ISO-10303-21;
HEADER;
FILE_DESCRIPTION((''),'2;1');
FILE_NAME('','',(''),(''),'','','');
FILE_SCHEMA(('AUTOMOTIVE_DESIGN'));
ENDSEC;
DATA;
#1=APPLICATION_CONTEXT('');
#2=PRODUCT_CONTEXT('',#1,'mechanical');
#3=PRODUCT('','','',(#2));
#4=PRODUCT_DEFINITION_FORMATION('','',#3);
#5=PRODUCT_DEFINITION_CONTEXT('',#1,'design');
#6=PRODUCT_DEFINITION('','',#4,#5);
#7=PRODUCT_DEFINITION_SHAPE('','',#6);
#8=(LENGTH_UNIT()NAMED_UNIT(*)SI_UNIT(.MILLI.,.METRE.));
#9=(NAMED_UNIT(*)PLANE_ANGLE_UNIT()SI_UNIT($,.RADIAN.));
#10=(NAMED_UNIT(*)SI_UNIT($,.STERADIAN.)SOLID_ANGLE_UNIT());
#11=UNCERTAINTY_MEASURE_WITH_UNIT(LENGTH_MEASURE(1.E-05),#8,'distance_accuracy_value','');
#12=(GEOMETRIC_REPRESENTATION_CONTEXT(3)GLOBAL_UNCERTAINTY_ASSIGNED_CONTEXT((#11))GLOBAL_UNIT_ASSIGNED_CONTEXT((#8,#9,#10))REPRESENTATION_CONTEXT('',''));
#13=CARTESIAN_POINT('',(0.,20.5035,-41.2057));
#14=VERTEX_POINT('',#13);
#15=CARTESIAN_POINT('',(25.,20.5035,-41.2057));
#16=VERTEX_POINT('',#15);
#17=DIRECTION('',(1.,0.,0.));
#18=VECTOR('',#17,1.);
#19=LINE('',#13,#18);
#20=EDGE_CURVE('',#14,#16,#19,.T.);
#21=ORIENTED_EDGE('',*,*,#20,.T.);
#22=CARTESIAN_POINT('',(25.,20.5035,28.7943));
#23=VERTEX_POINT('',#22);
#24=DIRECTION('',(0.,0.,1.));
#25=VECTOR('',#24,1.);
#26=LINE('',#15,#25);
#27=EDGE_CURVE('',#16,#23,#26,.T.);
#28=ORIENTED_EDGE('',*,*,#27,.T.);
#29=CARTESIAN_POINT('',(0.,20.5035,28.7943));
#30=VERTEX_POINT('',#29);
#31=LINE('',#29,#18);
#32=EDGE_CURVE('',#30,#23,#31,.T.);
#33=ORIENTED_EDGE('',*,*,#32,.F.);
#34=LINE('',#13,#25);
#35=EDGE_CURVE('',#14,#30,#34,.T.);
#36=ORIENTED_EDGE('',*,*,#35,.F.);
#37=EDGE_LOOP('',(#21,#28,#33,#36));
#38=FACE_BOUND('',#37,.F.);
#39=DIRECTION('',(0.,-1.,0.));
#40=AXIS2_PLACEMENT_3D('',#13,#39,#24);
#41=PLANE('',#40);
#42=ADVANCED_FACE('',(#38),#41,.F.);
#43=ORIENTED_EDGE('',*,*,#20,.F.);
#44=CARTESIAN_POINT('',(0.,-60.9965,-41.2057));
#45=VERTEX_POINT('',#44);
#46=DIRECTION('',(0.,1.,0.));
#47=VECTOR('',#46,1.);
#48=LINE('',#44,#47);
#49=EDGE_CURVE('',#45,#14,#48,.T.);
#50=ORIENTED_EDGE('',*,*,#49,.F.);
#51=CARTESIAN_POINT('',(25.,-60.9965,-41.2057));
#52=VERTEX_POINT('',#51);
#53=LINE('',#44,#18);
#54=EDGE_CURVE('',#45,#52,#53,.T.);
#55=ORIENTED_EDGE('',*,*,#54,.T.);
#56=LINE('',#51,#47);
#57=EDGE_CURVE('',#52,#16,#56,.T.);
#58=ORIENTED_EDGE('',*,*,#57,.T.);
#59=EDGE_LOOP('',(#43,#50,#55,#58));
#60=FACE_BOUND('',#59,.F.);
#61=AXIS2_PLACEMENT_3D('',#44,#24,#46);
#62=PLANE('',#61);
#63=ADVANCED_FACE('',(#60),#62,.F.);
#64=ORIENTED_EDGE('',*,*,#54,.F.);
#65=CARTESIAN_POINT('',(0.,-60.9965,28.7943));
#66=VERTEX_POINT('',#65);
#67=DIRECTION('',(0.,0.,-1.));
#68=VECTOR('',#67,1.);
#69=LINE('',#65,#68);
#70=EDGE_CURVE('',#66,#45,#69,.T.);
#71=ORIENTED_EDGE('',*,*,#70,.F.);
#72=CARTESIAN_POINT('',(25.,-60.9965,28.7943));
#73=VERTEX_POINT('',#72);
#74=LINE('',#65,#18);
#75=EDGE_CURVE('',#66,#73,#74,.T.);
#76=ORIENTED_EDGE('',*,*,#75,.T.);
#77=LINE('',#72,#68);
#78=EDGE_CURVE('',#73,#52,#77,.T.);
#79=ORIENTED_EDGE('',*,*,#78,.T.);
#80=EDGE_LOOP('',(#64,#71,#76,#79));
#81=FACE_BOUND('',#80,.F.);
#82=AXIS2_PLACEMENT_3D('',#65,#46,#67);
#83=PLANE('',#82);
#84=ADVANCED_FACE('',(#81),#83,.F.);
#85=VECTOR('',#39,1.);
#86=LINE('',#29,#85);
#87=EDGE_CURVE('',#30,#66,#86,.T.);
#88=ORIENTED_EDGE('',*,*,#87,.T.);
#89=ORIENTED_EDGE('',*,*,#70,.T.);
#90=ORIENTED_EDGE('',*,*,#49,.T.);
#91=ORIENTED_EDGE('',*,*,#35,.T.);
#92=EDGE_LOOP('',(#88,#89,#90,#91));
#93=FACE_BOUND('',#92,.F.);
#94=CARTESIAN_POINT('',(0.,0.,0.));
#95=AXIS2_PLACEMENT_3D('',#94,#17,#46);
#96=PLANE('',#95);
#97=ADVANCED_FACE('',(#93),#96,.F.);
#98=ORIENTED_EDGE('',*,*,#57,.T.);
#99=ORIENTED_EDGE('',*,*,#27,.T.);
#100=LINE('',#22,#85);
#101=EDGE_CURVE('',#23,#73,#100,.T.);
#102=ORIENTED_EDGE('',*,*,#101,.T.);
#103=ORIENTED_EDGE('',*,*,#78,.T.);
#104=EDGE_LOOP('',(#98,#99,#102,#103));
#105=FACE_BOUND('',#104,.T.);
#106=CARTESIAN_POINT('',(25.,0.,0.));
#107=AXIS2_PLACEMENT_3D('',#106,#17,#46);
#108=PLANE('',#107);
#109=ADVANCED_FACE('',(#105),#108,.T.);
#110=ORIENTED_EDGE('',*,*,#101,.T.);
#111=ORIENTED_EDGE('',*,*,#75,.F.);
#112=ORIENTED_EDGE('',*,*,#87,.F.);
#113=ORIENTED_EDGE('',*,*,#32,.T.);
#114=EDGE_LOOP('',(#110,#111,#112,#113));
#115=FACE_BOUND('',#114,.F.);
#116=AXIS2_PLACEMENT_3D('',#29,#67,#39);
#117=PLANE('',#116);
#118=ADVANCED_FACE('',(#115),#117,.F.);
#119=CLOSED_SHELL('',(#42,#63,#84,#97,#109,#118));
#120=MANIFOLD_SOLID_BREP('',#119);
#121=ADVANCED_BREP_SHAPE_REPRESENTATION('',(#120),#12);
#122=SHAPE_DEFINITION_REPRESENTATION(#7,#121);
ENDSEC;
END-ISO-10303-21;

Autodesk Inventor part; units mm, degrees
ref_plane "YZ Plane" through (0, 0, 0) normal (1, 0, 0) x (0, 1, 0)
ref_plane "XZ Plane" through (0, 0, 0) normal (0, 1, 0) x (-1, 0, 0)
ref_plane "XY Plane" through (0, 0, 0) normal (0, 0, 1) x (1, 0, 0)
sketch "Sketch1" plane through (0, 0, 0) normal (1, 0, 0) x (0, 1, 0)
  line L0 (20.5035, 28.7943) -> (-60.9965, 28.7943)
  line L1 (-60.9965, 28.7943) -> (-60.9965, -41.2057)
  line L2 (-60.9965, -41.2057) -> (20.5035, -41.2057)
  line L3 (20.5035, -41.2057) -> (20.5035, 28.7943)
  point P0 (0, 0)
  dimension "d0" = 70
  dimension "d1" = 81.5
extrude "Extrusion1" add sketch "Sketch1" along normal blind 25
properties part number "stig"
